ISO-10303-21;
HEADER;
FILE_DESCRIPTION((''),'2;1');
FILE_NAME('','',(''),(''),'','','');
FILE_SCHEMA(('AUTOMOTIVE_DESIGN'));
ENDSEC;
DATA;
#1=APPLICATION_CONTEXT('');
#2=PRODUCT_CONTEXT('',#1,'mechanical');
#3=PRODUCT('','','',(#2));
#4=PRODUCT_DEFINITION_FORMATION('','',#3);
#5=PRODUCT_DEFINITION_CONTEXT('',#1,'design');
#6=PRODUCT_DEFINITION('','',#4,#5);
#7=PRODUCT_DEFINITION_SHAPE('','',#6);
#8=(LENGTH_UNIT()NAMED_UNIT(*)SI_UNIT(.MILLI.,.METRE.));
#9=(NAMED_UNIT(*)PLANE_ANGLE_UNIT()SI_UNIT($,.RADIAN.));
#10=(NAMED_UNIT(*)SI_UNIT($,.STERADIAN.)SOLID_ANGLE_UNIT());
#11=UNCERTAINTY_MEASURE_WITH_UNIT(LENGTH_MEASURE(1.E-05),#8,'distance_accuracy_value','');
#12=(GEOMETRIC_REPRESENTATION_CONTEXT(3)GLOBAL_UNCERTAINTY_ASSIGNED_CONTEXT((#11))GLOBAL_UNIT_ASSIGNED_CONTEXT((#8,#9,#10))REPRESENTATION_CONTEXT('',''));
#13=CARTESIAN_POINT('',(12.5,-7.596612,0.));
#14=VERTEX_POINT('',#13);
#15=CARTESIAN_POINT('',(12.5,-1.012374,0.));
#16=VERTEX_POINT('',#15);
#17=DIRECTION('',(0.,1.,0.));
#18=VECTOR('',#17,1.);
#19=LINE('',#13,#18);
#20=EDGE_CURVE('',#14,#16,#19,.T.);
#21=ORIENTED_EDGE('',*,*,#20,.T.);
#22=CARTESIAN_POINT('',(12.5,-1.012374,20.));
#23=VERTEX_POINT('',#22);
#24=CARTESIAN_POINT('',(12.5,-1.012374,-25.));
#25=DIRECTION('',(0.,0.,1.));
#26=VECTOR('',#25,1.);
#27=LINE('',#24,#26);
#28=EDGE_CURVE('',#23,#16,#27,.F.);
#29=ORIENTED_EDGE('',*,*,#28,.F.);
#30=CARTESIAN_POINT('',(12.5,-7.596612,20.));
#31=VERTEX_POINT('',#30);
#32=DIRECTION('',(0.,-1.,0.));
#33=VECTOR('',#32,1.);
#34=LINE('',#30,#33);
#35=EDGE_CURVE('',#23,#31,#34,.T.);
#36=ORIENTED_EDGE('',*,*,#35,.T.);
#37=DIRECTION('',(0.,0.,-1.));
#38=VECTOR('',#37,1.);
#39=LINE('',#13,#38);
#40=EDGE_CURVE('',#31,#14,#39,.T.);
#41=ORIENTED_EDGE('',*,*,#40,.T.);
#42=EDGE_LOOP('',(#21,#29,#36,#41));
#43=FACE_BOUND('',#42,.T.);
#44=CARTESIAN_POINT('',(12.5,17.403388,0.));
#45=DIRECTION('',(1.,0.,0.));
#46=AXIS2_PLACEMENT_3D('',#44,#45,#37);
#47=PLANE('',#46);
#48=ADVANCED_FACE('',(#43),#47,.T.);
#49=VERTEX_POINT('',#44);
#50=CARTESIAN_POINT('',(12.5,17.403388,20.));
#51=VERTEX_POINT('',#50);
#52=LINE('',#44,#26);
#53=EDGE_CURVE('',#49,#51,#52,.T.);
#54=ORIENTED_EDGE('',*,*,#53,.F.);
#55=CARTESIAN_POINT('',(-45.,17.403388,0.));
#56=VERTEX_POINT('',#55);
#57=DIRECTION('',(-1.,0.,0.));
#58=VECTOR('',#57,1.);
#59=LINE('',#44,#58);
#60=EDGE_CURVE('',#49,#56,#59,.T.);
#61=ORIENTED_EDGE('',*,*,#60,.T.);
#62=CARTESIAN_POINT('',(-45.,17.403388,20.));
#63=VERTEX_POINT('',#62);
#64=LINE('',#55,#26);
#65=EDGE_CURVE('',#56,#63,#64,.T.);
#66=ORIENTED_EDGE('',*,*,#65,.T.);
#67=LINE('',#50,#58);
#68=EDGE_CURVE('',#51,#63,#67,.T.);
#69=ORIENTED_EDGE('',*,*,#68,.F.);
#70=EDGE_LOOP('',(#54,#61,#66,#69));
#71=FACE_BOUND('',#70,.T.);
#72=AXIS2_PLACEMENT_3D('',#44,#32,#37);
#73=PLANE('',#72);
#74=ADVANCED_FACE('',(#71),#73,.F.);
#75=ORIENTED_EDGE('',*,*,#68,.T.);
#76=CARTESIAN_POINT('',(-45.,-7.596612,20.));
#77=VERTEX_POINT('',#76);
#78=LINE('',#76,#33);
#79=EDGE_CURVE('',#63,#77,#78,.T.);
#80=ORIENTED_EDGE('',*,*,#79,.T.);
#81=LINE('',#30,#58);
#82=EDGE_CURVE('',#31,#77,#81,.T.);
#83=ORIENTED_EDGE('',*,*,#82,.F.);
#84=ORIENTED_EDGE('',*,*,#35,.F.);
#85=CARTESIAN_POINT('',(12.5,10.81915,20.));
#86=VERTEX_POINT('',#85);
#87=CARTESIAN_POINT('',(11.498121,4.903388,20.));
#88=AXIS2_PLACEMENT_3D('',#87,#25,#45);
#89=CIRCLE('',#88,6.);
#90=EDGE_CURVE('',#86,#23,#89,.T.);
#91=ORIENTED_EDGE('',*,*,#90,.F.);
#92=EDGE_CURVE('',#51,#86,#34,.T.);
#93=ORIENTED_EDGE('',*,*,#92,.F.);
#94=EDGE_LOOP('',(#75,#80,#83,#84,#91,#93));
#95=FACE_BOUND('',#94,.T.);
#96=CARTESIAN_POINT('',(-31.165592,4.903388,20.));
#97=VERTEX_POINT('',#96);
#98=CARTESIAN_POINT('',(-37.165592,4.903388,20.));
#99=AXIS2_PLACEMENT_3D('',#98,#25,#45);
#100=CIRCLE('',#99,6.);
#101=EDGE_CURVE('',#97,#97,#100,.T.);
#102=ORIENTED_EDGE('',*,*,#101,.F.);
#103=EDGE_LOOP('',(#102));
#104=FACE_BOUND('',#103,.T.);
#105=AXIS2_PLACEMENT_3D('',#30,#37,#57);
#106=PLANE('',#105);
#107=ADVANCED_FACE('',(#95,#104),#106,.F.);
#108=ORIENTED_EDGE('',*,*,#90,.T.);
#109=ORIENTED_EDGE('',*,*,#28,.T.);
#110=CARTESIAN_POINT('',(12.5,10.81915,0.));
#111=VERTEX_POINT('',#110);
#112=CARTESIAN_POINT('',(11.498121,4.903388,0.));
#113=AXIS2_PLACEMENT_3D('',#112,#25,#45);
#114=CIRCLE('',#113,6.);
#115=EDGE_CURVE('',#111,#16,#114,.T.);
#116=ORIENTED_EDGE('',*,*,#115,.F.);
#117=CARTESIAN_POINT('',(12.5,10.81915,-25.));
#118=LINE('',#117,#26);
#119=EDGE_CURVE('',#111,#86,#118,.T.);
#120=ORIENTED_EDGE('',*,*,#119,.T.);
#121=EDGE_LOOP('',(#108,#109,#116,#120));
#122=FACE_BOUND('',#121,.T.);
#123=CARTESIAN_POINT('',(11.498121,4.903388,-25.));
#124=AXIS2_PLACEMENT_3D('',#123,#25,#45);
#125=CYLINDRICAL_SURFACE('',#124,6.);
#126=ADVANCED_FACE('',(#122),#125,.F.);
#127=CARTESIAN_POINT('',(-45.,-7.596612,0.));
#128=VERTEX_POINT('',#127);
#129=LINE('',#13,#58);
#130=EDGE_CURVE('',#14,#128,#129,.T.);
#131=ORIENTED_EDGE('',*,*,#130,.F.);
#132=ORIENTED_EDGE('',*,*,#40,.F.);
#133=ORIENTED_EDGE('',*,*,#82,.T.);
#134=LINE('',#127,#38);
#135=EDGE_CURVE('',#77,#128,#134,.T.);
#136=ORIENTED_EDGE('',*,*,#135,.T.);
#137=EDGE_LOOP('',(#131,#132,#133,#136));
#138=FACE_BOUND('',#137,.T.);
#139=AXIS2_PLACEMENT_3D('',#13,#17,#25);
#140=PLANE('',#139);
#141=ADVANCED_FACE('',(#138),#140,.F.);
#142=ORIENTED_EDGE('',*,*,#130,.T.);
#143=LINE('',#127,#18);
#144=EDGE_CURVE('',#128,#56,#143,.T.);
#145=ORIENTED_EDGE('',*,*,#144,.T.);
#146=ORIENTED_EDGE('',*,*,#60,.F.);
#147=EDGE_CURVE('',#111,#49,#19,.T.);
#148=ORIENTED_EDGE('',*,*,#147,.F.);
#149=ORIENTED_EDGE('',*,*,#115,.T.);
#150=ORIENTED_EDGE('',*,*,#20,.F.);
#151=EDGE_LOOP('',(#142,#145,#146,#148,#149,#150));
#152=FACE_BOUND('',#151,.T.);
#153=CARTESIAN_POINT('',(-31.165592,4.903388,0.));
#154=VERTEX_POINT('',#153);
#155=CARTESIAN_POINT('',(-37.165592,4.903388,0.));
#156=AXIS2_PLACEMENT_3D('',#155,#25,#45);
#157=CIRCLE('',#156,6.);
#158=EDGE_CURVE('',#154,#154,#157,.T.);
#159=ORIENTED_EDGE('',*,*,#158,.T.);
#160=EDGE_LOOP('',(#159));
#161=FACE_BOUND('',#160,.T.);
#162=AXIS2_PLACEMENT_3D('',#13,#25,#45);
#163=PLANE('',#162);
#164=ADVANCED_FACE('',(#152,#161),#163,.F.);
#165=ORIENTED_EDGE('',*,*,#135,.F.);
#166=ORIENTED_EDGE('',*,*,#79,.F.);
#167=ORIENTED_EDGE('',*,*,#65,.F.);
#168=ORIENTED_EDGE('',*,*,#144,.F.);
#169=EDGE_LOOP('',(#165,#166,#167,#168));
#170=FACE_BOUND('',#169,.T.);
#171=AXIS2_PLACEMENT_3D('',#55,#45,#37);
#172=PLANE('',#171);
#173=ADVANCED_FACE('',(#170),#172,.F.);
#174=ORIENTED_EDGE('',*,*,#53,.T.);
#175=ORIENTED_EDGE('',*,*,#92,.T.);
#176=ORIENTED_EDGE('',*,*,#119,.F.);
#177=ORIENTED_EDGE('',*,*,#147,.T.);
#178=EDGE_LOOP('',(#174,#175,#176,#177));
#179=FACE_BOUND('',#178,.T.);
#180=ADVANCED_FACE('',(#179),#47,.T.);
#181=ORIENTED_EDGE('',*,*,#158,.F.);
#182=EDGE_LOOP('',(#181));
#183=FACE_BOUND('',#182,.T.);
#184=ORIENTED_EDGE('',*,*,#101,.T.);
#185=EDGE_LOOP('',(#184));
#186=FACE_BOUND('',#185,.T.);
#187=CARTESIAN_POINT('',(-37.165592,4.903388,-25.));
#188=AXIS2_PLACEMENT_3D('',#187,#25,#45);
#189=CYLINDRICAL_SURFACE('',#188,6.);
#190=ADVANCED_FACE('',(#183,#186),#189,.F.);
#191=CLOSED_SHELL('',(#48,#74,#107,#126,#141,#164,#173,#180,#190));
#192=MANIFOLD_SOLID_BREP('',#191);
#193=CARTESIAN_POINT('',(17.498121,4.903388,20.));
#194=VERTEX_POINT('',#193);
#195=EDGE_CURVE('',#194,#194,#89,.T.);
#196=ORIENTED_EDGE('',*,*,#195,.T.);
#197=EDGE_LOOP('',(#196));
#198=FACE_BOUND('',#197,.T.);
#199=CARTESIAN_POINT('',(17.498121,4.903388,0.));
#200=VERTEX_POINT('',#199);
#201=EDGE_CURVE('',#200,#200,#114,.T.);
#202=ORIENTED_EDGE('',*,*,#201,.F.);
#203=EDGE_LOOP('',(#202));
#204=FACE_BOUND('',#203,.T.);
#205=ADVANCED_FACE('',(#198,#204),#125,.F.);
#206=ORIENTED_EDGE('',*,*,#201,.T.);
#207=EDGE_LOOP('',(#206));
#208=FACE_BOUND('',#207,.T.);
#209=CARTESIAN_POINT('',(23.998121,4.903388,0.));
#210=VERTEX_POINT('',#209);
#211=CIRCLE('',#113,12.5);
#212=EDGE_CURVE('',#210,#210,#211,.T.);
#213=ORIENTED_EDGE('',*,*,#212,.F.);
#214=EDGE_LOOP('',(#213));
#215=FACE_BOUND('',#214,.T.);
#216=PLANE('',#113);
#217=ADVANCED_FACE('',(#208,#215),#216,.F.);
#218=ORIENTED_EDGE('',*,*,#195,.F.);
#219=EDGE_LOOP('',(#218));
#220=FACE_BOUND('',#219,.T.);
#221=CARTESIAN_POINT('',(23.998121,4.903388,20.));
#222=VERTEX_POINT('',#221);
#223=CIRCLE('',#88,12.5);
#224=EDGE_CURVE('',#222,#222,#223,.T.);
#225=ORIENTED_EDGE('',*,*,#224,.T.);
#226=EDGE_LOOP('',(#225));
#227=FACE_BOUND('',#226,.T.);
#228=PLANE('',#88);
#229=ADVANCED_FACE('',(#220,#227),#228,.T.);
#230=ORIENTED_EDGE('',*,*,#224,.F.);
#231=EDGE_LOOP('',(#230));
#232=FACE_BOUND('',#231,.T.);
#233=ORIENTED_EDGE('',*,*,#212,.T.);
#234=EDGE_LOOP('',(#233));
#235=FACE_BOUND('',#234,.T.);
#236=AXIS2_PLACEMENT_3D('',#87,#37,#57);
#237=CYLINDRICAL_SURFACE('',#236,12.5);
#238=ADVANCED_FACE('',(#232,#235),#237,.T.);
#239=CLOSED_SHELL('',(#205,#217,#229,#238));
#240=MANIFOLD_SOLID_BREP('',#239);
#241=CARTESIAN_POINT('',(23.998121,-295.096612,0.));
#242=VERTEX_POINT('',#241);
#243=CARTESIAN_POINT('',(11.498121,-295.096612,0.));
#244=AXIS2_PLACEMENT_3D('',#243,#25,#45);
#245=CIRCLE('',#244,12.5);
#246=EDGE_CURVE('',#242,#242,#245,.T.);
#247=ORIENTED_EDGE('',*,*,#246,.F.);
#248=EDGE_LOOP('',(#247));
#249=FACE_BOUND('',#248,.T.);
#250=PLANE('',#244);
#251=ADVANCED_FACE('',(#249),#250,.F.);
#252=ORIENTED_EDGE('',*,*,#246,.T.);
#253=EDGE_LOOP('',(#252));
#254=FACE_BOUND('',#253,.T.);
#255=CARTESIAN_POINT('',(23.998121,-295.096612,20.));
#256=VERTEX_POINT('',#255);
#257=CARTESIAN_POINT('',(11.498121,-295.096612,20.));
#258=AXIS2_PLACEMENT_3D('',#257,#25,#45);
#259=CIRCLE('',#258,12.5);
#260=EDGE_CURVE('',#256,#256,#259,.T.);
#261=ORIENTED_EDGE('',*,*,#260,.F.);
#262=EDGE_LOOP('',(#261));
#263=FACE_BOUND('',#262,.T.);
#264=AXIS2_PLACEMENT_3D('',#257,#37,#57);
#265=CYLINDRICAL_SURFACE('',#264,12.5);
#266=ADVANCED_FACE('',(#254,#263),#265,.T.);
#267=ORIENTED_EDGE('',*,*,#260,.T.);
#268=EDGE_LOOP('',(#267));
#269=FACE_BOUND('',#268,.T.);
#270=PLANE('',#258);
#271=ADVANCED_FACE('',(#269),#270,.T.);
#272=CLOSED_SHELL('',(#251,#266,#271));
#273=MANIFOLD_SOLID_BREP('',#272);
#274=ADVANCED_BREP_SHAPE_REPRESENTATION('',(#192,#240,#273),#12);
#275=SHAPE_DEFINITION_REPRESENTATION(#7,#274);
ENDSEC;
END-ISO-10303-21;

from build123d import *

# Parameters (mm, degrees)
ESBO_O1_R                     = 12.5
RESSALTO_EXTRUS_O6_DEPTH      = 20
RESSALTO_EXTRUS_O6_2_DEPTH    = 20
ESBO_O3_W                     = 20
ESBO_O3_H                     = 25
RESSALTO_EXTRUS_O7_DEPTH      = 12.5
RESSALTO_EXTRUS_O7_DEPTH_BACK = 45
ESBO_O4_R                     = 6
CORTE_EXTRUS_O1_DEPTH         = 45


with BuildPart() as part:
    # Esboço1 → Ressalto-extrusão6 (new body)
    with BuildSketch(Plane.XY):
        with Locations((11.498120919, 4.903388149)):
            Circle(ESBO_O1_R)
    extrude(amount=RESSALTO_EXTRUS_O6_DEPTH)


with BuildPart() as body_2:
    # Esboço1 → Ressalto-extrus_o6 2 (new body)
    with BuildSketch(Plane.XY):
        with Locations((11.498120919, -295.096611851)):
            Circle(ESBO_O1_R)
    extrude(amount=RESSALTO_EXTRUS_O6_2_DEPTH)


with BuildPart() as body_3:
    # Esboço3 → Ressalto-extrusão7 (new body, two sides)
    with BuildSketch(Plane(origin=(0, 0, 0), x_dir=(0, 0, -1), z_dir=(1, 0, 0))) as ressalto_extrus_o7_sk:
        with Locations((-10, 4.903388149)):
            Rectangle(ESBO_O3_W, ESBO_O3_H)
    extrude(amount=RESSALTO_EXTRUS_O7_DEPTH)
    extrude(ressalto_extrus_o7_sk.sketch, amount=-RESSALTO_EXTRUS_O7_DEPTH_BACK)


with BuildPart() as corte_extrus_o1_tool:
    # Esboço4 → Corte-extrusão1 (new body)
    with BuildSketch(Plane.XY.offset(20)):
        with Locations((11.498120919, 4.903388149)):
            Circle(ESBO_O4_R)
        with Locations((-37.165592143, 4.903388149)):
            Circle(ESBO_O4_R)
    extrude(amount=-CORTE_EXTRUS_O1_DEPTH)


with BuildPart() as part_1:
    add(part.part)

    # Corte-extrusão1: cut by corte_extrus_o1_tool
    add(corte_extrus_o1_tool.part, mode=Mode.SUBTRACT)


with BuildPart() as body_3_1:
    add(body_3.part)

    # Corte-extrusão1: cut by corte_extrus_o1_tool
    add(corte_extrus_o1_tool.part, mode=Mode.SUBTRACT)


solid = Compound([body_2.part, part_1.part, body_3_1.part])
